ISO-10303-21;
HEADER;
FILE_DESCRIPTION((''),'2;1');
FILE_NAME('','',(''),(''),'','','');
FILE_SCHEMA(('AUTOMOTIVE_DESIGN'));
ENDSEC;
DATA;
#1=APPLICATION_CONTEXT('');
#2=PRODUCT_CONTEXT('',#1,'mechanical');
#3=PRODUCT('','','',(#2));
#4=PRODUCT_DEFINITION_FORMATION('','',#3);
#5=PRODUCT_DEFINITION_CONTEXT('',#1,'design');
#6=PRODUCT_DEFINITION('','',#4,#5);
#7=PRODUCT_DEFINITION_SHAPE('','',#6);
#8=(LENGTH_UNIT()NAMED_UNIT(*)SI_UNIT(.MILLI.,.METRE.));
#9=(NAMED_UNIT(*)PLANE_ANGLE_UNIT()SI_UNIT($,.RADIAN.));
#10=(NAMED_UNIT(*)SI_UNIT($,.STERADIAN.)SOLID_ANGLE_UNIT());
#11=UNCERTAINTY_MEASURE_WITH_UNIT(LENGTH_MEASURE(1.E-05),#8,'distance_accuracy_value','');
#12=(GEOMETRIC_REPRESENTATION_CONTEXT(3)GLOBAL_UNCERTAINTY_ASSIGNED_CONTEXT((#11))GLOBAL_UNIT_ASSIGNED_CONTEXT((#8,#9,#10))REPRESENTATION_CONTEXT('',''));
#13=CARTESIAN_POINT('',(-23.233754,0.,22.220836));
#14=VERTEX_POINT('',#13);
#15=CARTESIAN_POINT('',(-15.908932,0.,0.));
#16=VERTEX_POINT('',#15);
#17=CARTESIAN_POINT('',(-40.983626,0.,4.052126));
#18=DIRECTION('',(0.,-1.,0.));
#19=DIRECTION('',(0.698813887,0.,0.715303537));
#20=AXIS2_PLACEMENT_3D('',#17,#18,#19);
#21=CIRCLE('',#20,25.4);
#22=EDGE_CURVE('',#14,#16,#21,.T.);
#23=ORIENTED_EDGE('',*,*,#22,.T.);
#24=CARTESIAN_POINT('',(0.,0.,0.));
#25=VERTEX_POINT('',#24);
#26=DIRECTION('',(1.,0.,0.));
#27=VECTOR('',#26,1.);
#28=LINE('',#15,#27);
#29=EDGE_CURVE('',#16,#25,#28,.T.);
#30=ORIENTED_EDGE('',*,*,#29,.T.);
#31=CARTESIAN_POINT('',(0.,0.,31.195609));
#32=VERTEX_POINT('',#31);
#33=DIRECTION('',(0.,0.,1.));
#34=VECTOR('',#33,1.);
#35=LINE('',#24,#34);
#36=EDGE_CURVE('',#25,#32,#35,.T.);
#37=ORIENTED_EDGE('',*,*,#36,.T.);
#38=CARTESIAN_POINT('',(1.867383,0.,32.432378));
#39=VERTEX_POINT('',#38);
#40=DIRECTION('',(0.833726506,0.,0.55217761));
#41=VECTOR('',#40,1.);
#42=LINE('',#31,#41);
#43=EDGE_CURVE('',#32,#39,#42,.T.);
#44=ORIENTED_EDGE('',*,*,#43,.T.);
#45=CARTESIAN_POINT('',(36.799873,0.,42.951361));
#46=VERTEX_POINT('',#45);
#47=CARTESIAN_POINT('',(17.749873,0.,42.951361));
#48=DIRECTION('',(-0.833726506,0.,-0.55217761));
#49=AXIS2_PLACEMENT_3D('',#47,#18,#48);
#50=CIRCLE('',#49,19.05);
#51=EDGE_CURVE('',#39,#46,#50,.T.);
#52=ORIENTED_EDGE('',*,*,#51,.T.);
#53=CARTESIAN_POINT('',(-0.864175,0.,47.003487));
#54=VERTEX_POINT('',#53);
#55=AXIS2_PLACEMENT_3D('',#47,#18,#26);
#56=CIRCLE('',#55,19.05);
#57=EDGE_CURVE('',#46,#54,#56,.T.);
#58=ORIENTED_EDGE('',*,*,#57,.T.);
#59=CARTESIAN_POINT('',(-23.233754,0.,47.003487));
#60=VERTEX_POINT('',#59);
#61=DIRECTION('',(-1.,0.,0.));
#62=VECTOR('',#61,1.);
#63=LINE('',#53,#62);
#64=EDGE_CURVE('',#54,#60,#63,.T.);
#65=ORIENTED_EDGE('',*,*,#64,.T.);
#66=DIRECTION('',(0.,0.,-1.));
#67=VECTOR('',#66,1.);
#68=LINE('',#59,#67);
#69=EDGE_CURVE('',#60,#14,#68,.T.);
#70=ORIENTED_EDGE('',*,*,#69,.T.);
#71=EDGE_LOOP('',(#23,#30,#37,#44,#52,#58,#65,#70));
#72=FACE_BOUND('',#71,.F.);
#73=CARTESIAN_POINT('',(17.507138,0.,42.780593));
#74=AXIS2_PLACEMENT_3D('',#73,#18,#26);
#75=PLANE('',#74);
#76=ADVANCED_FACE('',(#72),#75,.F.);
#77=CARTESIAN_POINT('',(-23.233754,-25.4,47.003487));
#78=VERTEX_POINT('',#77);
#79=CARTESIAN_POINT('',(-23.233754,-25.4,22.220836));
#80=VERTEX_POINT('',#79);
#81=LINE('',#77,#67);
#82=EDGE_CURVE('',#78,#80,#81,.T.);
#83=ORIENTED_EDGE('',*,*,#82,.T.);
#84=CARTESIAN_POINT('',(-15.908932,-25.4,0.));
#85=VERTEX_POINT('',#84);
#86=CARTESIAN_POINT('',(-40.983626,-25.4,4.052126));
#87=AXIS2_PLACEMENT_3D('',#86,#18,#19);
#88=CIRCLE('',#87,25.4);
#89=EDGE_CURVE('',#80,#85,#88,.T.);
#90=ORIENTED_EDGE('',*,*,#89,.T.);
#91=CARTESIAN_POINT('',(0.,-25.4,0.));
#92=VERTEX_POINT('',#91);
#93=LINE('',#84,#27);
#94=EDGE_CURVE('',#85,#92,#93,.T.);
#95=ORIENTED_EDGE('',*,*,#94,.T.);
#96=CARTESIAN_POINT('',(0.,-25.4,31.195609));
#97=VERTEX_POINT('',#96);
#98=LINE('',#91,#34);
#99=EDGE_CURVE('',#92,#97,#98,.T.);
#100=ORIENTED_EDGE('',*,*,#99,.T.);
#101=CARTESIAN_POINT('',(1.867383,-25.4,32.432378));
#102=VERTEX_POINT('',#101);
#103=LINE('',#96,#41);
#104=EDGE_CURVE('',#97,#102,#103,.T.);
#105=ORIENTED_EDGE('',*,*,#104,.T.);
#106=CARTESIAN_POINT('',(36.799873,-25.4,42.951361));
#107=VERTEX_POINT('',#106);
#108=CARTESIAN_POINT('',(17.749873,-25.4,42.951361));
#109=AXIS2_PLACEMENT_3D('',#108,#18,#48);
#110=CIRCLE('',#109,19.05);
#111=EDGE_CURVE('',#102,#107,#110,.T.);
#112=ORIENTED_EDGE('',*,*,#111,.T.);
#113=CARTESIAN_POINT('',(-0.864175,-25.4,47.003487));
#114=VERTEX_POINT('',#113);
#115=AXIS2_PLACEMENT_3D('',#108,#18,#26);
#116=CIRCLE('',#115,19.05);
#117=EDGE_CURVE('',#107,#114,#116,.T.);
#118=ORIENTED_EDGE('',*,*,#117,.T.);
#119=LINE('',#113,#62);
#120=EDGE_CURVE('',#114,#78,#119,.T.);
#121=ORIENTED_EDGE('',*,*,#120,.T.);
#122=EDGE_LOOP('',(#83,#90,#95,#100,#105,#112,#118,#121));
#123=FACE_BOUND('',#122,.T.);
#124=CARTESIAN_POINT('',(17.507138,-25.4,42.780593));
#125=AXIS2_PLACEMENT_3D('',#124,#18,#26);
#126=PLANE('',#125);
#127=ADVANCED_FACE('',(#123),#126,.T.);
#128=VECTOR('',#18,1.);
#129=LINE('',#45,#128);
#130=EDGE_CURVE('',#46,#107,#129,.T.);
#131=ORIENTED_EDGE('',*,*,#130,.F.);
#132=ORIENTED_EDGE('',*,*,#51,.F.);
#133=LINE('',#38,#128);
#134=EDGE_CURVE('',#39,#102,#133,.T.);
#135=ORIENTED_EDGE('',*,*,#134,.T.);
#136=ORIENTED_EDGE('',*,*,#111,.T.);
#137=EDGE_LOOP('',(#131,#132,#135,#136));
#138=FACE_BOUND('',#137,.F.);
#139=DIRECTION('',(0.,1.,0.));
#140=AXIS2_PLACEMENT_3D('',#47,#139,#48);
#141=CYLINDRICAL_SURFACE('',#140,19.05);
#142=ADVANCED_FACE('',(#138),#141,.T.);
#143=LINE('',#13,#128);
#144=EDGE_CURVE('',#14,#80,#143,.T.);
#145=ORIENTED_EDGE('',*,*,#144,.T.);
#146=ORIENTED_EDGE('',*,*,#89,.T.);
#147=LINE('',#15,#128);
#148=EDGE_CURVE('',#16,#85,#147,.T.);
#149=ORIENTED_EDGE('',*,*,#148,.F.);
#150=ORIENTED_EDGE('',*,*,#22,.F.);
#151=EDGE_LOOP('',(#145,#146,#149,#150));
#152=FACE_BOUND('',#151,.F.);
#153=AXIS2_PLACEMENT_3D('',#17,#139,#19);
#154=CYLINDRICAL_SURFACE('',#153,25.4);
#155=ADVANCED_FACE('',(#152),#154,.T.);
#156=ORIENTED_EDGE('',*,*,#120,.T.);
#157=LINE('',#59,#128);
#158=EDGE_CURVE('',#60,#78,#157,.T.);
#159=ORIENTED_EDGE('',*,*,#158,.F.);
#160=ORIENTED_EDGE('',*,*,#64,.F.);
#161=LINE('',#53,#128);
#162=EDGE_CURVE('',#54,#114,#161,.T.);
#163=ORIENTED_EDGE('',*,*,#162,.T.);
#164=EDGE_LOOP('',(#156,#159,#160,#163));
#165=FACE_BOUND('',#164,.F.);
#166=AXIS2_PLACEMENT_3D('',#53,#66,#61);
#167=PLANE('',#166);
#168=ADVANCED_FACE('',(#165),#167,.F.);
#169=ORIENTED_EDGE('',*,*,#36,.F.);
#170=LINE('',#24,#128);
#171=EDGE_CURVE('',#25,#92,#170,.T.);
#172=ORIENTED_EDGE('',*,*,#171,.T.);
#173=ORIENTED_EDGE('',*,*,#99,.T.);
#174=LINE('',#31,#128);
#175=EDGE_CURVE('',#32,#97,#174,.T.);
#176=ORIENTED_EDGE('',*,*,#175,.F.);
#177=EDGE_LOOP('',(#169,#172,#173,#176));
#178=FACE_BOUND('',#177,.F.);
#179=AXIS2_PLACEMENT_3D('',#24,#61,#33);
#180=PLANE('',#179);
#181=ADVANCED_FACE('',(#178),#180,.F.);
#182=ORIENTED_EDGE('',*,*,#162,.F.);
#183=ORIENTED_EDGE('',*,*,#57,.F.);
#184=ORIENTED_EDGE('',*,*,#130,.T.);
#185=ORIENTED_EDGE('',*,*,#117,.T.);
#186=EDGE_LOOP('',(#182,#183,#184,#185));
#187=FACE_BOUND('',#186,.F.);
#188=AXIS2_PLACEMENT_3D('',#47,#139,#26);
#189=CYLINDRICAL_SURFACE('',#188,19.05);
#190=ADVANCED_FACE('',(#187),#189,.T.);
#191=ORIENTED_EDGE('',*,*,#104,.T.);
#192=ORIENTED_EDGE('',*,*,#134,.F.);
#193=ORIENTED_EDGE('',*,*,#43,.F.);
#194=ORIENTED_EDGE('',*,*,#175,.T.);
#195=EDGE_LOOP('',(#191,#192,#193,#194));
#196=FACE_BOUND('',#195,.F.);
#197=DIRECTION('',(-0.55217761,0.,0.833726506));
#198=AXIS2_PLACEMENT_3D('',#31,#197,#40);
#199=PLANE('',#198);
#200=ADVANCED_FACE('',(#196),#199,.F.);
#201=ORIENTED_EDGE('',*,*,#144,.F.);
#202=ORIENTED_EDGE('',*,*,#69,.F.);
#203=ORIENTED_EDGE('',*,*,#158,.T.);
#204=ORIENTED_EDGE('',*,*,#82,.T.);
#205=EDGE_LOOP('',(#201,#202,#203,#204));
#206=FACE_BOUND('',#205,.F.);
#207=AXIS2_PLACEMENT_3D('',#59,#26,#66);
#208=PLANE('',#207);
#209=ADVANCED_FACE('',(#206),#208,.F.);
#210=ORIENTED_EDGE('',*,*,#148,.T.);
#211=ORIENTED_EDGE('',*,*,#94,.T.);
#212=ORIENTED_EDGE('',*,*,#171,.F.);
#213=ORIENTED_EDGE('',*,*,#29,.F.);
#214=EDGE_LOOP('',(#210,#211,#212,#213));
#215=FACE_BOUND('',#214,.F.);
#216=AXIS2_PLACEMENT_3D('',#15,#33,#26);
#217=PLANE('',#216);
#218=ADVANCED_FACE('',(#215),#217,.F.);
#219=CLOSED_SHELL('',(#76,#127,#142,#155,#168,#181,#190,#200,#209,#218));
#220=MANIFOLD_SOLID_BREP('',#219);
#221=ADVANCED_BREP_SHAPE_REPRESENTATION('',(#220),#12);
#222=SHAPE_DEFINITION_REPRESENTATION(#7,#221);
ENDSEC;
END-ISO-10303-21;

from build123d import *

# Parameters (mm, degrees)
F1_DEPTH = 25.4


with BuildPart() as f1:
    # F0 (on Front) → F1 (new body)
    with BuildSketch(Plane.XZ):
        with BuildLine():
            ThreePointArc((1.8673827959, 32.4323775117), (23.2426437423, 24.7104189311), (36.799872741, 42.9513609771))
            ThreePointArc((36.799872741, 42.9513609771), (19.7876276974, 61.892059347), (-0.8641750005, 47.0034871694))
            Line((-0.8641750005, 47.0034871694), (0, 47.0034871694))
            Line((0, 47.0034871694), (0, 36.0343878183))
            ThreePointArc((0, 36.0343878183), (0.8375229775, 34.1835262685), (1.8673827959, 32.4323775117))
        make_face()
        with BuildLine():
            Line((0, 47.0034871694), (-0.8641750005, 47.0034871694))
            ThreePointArc((-0.8641750005, 47.0034871694), (-1.2412821306, 41.4551869754), (0, 36.0343878183))
            Line((0, 36.0343878183), (0, 47.0034871694))
        make_face()
        with BuildLine():
            ThreePointArc((0, 36.0343878183), (-1.2412821306, 41.4551869754), (-0.8641750005, 47.0034871694))
            Line((-0.8641750005, 47.0034871694), (-23.2337535647, 47.0034871694))
            Line((-23.2337535647, 47.0034871694), (-23.2337535647, 22.2208360441))
            ThreePointArc((-23.2337535647, 22.2208360441), (-21.4104164375, 20.2400678606), (-19.8069730457, 18.0774374795))
            Line((-19.8069730457, 18.0774374795), (0, 31.1956086661))
            Line((0, 31.1956086661), (0, 36.0343878183))
        make_face()
        with BuildLine():
            Line((0, 31.1956086661), (1.8673827959, 32.4323775117))
            ThreePointArc((1.8673827959, 32.4323775117), (0.8375229775, 34.1835262685), (0, 36.0343878183))
            Line((0, 36.0343878183), (0, 31.1956086661))
        make_face()
        with BuildLine():
            Line((0, 0), (0, 31.1956086661))
            Line((0, 31.1956086661), (-19.8069730457, 18.0774374795))
            ThreePointArc((-19.8069730457, 18.0774374795), (-16.6623702443, 11.3758208608), (-15.5836263057, 4.0521261923))
            ThreePointArc((-15.5836263057, 4.0521261923), (-15.6650834504, 2.0195446596), (-15.9089324228, 0))
            Line((-15.9089324228, 0), (0, 0))
        make_face()
        with BuildLine():
            Line((-23.2337535647, 15.8078785033), (-23.2337535647, 22.2208360441))
            ThreePointArc((-23.2337535647, 22.2208360441), (-65.1067949461, -3.8997751366), (-15.9089324228, 0))
            Line((-15.9089324228, 0), (-23.2337535647, 0))
            Line((-23.2337535647, 0), (-23.2337535647, 15.8078785033))
        make_face()
        with BuildLine():
            ThreePointArc((-19.8069730457, 18.0774374795), (-21.4104164375, 20.2400678606), (-23.2337535647, 22.2208360441))
            Line((-23.2337535647, 22.2208360441), (-23.2337535647, 15.8078785033))
            Line((-23.2337535647, 15.8078785033), (-19.8069730457, 18.0774374795))
        make_face()
        with BuildLine():
            ThreePointArc((-15.5836263057, 4.0521261923), (-16.6623702443, 11.3758208608), (-19.8069730457, 18.0774374795))
            Line((-19.8069730457, 18.0774374795), (-23.2337535647, 15.8078785033))
            Line((-23.2337535647, 15.8078785033), (-23.2337535647, 0))
            Line((-23.2337535647, 0), (-15.9089324228, 0))
            ThreePointArc((-15.9089324228, 0), (-15.6650834504, 2.0195446596), (-15.5836263057, 4.0521261923))
        make_face()
    extrude(amount=F1_DEPTH)


solid = f1.part
